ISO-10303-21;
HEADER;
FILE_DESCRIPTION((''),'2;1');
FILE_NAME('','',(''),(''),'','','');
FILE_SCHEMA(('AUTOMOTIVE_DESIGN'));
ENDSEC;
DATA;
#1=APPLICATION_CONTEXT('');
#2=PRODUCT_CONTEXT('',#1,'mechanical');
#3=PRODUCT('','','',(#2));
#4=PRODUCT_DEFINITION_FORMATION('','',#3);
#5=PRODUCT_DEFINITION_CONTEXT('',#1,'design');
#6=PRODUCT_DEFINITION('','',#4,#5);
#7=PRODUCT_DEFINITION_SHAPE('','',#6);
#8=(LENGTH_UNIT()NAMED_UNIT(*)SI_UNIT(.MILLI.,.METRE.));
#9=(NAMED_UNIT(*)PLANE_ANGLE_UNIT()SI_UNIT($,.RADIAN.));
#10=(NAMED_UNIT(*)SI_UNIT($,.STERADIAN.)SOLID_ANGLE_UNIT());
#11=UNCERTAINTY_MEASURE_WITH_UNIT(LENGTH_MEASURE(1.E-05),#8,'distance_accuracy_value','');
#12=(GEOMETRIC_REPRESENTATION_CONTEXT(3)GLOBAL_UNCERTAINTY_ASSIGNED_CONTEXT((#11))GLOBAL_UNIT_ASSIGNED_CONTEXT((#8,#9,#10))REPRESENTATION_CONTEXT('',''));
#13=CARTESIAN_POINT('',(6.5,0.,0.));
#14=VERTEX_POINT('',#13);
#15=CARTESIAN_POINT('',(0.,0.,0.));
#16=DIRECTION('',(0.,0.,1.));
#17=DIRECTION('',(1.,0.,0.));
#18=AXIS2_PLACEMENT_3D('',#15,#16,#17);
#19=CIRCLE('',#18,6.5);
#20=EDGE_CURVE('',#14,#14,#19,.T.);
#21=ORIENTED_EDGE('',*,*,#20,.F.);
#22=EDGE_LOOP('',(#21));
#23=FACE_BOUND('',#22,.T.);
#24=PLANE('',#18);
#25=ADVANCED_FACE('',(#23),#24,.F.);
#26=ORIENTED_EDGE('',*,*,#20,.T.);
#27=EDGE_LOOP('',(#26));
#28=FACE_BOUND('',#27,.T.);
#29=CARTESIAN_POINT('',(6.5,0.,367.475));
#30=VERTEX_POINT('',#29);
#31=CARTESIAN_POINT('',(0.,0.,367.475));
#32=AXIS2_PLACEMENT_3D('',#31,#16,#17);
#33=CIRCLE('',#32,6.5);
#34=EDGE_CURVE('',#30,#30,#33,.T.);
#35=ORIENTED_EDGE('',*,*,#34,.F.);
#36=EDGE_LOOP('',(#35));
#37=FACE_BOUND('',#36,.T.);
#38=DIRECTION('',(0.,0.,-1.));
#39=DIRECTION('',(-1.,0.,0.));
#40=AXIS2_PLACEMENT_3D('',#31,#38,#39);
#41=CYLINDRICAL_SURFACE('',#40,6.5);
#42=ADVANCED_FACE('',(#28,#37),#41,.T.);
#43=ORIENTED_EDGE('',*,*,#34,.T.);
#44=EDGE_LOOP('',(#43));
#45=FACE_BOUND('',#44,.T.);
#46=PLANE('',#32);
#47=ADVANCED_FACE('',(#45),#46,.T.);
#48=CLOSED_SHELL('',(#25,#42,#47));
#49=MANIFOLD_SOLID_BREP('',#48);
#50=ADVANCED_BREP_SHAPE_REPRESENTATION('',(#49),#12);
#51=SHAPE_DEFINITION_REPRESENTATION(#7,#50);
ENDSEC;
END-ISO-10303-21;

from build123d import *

# Parameters (mm, degrees)
SKETCH1_R           = 6.5
BOSS_EXTRUDE1_DEPTH = 367.475


with BuildPart() as part:
    # Sketch1 → Boss-Extrude1 (new body)
    with BuildSketch(Plane.XY):
        Circle(SKETCH1_R)
    extrude(amount=BOSS_EXTRUDE1_DEPTH)


solid = part.part
